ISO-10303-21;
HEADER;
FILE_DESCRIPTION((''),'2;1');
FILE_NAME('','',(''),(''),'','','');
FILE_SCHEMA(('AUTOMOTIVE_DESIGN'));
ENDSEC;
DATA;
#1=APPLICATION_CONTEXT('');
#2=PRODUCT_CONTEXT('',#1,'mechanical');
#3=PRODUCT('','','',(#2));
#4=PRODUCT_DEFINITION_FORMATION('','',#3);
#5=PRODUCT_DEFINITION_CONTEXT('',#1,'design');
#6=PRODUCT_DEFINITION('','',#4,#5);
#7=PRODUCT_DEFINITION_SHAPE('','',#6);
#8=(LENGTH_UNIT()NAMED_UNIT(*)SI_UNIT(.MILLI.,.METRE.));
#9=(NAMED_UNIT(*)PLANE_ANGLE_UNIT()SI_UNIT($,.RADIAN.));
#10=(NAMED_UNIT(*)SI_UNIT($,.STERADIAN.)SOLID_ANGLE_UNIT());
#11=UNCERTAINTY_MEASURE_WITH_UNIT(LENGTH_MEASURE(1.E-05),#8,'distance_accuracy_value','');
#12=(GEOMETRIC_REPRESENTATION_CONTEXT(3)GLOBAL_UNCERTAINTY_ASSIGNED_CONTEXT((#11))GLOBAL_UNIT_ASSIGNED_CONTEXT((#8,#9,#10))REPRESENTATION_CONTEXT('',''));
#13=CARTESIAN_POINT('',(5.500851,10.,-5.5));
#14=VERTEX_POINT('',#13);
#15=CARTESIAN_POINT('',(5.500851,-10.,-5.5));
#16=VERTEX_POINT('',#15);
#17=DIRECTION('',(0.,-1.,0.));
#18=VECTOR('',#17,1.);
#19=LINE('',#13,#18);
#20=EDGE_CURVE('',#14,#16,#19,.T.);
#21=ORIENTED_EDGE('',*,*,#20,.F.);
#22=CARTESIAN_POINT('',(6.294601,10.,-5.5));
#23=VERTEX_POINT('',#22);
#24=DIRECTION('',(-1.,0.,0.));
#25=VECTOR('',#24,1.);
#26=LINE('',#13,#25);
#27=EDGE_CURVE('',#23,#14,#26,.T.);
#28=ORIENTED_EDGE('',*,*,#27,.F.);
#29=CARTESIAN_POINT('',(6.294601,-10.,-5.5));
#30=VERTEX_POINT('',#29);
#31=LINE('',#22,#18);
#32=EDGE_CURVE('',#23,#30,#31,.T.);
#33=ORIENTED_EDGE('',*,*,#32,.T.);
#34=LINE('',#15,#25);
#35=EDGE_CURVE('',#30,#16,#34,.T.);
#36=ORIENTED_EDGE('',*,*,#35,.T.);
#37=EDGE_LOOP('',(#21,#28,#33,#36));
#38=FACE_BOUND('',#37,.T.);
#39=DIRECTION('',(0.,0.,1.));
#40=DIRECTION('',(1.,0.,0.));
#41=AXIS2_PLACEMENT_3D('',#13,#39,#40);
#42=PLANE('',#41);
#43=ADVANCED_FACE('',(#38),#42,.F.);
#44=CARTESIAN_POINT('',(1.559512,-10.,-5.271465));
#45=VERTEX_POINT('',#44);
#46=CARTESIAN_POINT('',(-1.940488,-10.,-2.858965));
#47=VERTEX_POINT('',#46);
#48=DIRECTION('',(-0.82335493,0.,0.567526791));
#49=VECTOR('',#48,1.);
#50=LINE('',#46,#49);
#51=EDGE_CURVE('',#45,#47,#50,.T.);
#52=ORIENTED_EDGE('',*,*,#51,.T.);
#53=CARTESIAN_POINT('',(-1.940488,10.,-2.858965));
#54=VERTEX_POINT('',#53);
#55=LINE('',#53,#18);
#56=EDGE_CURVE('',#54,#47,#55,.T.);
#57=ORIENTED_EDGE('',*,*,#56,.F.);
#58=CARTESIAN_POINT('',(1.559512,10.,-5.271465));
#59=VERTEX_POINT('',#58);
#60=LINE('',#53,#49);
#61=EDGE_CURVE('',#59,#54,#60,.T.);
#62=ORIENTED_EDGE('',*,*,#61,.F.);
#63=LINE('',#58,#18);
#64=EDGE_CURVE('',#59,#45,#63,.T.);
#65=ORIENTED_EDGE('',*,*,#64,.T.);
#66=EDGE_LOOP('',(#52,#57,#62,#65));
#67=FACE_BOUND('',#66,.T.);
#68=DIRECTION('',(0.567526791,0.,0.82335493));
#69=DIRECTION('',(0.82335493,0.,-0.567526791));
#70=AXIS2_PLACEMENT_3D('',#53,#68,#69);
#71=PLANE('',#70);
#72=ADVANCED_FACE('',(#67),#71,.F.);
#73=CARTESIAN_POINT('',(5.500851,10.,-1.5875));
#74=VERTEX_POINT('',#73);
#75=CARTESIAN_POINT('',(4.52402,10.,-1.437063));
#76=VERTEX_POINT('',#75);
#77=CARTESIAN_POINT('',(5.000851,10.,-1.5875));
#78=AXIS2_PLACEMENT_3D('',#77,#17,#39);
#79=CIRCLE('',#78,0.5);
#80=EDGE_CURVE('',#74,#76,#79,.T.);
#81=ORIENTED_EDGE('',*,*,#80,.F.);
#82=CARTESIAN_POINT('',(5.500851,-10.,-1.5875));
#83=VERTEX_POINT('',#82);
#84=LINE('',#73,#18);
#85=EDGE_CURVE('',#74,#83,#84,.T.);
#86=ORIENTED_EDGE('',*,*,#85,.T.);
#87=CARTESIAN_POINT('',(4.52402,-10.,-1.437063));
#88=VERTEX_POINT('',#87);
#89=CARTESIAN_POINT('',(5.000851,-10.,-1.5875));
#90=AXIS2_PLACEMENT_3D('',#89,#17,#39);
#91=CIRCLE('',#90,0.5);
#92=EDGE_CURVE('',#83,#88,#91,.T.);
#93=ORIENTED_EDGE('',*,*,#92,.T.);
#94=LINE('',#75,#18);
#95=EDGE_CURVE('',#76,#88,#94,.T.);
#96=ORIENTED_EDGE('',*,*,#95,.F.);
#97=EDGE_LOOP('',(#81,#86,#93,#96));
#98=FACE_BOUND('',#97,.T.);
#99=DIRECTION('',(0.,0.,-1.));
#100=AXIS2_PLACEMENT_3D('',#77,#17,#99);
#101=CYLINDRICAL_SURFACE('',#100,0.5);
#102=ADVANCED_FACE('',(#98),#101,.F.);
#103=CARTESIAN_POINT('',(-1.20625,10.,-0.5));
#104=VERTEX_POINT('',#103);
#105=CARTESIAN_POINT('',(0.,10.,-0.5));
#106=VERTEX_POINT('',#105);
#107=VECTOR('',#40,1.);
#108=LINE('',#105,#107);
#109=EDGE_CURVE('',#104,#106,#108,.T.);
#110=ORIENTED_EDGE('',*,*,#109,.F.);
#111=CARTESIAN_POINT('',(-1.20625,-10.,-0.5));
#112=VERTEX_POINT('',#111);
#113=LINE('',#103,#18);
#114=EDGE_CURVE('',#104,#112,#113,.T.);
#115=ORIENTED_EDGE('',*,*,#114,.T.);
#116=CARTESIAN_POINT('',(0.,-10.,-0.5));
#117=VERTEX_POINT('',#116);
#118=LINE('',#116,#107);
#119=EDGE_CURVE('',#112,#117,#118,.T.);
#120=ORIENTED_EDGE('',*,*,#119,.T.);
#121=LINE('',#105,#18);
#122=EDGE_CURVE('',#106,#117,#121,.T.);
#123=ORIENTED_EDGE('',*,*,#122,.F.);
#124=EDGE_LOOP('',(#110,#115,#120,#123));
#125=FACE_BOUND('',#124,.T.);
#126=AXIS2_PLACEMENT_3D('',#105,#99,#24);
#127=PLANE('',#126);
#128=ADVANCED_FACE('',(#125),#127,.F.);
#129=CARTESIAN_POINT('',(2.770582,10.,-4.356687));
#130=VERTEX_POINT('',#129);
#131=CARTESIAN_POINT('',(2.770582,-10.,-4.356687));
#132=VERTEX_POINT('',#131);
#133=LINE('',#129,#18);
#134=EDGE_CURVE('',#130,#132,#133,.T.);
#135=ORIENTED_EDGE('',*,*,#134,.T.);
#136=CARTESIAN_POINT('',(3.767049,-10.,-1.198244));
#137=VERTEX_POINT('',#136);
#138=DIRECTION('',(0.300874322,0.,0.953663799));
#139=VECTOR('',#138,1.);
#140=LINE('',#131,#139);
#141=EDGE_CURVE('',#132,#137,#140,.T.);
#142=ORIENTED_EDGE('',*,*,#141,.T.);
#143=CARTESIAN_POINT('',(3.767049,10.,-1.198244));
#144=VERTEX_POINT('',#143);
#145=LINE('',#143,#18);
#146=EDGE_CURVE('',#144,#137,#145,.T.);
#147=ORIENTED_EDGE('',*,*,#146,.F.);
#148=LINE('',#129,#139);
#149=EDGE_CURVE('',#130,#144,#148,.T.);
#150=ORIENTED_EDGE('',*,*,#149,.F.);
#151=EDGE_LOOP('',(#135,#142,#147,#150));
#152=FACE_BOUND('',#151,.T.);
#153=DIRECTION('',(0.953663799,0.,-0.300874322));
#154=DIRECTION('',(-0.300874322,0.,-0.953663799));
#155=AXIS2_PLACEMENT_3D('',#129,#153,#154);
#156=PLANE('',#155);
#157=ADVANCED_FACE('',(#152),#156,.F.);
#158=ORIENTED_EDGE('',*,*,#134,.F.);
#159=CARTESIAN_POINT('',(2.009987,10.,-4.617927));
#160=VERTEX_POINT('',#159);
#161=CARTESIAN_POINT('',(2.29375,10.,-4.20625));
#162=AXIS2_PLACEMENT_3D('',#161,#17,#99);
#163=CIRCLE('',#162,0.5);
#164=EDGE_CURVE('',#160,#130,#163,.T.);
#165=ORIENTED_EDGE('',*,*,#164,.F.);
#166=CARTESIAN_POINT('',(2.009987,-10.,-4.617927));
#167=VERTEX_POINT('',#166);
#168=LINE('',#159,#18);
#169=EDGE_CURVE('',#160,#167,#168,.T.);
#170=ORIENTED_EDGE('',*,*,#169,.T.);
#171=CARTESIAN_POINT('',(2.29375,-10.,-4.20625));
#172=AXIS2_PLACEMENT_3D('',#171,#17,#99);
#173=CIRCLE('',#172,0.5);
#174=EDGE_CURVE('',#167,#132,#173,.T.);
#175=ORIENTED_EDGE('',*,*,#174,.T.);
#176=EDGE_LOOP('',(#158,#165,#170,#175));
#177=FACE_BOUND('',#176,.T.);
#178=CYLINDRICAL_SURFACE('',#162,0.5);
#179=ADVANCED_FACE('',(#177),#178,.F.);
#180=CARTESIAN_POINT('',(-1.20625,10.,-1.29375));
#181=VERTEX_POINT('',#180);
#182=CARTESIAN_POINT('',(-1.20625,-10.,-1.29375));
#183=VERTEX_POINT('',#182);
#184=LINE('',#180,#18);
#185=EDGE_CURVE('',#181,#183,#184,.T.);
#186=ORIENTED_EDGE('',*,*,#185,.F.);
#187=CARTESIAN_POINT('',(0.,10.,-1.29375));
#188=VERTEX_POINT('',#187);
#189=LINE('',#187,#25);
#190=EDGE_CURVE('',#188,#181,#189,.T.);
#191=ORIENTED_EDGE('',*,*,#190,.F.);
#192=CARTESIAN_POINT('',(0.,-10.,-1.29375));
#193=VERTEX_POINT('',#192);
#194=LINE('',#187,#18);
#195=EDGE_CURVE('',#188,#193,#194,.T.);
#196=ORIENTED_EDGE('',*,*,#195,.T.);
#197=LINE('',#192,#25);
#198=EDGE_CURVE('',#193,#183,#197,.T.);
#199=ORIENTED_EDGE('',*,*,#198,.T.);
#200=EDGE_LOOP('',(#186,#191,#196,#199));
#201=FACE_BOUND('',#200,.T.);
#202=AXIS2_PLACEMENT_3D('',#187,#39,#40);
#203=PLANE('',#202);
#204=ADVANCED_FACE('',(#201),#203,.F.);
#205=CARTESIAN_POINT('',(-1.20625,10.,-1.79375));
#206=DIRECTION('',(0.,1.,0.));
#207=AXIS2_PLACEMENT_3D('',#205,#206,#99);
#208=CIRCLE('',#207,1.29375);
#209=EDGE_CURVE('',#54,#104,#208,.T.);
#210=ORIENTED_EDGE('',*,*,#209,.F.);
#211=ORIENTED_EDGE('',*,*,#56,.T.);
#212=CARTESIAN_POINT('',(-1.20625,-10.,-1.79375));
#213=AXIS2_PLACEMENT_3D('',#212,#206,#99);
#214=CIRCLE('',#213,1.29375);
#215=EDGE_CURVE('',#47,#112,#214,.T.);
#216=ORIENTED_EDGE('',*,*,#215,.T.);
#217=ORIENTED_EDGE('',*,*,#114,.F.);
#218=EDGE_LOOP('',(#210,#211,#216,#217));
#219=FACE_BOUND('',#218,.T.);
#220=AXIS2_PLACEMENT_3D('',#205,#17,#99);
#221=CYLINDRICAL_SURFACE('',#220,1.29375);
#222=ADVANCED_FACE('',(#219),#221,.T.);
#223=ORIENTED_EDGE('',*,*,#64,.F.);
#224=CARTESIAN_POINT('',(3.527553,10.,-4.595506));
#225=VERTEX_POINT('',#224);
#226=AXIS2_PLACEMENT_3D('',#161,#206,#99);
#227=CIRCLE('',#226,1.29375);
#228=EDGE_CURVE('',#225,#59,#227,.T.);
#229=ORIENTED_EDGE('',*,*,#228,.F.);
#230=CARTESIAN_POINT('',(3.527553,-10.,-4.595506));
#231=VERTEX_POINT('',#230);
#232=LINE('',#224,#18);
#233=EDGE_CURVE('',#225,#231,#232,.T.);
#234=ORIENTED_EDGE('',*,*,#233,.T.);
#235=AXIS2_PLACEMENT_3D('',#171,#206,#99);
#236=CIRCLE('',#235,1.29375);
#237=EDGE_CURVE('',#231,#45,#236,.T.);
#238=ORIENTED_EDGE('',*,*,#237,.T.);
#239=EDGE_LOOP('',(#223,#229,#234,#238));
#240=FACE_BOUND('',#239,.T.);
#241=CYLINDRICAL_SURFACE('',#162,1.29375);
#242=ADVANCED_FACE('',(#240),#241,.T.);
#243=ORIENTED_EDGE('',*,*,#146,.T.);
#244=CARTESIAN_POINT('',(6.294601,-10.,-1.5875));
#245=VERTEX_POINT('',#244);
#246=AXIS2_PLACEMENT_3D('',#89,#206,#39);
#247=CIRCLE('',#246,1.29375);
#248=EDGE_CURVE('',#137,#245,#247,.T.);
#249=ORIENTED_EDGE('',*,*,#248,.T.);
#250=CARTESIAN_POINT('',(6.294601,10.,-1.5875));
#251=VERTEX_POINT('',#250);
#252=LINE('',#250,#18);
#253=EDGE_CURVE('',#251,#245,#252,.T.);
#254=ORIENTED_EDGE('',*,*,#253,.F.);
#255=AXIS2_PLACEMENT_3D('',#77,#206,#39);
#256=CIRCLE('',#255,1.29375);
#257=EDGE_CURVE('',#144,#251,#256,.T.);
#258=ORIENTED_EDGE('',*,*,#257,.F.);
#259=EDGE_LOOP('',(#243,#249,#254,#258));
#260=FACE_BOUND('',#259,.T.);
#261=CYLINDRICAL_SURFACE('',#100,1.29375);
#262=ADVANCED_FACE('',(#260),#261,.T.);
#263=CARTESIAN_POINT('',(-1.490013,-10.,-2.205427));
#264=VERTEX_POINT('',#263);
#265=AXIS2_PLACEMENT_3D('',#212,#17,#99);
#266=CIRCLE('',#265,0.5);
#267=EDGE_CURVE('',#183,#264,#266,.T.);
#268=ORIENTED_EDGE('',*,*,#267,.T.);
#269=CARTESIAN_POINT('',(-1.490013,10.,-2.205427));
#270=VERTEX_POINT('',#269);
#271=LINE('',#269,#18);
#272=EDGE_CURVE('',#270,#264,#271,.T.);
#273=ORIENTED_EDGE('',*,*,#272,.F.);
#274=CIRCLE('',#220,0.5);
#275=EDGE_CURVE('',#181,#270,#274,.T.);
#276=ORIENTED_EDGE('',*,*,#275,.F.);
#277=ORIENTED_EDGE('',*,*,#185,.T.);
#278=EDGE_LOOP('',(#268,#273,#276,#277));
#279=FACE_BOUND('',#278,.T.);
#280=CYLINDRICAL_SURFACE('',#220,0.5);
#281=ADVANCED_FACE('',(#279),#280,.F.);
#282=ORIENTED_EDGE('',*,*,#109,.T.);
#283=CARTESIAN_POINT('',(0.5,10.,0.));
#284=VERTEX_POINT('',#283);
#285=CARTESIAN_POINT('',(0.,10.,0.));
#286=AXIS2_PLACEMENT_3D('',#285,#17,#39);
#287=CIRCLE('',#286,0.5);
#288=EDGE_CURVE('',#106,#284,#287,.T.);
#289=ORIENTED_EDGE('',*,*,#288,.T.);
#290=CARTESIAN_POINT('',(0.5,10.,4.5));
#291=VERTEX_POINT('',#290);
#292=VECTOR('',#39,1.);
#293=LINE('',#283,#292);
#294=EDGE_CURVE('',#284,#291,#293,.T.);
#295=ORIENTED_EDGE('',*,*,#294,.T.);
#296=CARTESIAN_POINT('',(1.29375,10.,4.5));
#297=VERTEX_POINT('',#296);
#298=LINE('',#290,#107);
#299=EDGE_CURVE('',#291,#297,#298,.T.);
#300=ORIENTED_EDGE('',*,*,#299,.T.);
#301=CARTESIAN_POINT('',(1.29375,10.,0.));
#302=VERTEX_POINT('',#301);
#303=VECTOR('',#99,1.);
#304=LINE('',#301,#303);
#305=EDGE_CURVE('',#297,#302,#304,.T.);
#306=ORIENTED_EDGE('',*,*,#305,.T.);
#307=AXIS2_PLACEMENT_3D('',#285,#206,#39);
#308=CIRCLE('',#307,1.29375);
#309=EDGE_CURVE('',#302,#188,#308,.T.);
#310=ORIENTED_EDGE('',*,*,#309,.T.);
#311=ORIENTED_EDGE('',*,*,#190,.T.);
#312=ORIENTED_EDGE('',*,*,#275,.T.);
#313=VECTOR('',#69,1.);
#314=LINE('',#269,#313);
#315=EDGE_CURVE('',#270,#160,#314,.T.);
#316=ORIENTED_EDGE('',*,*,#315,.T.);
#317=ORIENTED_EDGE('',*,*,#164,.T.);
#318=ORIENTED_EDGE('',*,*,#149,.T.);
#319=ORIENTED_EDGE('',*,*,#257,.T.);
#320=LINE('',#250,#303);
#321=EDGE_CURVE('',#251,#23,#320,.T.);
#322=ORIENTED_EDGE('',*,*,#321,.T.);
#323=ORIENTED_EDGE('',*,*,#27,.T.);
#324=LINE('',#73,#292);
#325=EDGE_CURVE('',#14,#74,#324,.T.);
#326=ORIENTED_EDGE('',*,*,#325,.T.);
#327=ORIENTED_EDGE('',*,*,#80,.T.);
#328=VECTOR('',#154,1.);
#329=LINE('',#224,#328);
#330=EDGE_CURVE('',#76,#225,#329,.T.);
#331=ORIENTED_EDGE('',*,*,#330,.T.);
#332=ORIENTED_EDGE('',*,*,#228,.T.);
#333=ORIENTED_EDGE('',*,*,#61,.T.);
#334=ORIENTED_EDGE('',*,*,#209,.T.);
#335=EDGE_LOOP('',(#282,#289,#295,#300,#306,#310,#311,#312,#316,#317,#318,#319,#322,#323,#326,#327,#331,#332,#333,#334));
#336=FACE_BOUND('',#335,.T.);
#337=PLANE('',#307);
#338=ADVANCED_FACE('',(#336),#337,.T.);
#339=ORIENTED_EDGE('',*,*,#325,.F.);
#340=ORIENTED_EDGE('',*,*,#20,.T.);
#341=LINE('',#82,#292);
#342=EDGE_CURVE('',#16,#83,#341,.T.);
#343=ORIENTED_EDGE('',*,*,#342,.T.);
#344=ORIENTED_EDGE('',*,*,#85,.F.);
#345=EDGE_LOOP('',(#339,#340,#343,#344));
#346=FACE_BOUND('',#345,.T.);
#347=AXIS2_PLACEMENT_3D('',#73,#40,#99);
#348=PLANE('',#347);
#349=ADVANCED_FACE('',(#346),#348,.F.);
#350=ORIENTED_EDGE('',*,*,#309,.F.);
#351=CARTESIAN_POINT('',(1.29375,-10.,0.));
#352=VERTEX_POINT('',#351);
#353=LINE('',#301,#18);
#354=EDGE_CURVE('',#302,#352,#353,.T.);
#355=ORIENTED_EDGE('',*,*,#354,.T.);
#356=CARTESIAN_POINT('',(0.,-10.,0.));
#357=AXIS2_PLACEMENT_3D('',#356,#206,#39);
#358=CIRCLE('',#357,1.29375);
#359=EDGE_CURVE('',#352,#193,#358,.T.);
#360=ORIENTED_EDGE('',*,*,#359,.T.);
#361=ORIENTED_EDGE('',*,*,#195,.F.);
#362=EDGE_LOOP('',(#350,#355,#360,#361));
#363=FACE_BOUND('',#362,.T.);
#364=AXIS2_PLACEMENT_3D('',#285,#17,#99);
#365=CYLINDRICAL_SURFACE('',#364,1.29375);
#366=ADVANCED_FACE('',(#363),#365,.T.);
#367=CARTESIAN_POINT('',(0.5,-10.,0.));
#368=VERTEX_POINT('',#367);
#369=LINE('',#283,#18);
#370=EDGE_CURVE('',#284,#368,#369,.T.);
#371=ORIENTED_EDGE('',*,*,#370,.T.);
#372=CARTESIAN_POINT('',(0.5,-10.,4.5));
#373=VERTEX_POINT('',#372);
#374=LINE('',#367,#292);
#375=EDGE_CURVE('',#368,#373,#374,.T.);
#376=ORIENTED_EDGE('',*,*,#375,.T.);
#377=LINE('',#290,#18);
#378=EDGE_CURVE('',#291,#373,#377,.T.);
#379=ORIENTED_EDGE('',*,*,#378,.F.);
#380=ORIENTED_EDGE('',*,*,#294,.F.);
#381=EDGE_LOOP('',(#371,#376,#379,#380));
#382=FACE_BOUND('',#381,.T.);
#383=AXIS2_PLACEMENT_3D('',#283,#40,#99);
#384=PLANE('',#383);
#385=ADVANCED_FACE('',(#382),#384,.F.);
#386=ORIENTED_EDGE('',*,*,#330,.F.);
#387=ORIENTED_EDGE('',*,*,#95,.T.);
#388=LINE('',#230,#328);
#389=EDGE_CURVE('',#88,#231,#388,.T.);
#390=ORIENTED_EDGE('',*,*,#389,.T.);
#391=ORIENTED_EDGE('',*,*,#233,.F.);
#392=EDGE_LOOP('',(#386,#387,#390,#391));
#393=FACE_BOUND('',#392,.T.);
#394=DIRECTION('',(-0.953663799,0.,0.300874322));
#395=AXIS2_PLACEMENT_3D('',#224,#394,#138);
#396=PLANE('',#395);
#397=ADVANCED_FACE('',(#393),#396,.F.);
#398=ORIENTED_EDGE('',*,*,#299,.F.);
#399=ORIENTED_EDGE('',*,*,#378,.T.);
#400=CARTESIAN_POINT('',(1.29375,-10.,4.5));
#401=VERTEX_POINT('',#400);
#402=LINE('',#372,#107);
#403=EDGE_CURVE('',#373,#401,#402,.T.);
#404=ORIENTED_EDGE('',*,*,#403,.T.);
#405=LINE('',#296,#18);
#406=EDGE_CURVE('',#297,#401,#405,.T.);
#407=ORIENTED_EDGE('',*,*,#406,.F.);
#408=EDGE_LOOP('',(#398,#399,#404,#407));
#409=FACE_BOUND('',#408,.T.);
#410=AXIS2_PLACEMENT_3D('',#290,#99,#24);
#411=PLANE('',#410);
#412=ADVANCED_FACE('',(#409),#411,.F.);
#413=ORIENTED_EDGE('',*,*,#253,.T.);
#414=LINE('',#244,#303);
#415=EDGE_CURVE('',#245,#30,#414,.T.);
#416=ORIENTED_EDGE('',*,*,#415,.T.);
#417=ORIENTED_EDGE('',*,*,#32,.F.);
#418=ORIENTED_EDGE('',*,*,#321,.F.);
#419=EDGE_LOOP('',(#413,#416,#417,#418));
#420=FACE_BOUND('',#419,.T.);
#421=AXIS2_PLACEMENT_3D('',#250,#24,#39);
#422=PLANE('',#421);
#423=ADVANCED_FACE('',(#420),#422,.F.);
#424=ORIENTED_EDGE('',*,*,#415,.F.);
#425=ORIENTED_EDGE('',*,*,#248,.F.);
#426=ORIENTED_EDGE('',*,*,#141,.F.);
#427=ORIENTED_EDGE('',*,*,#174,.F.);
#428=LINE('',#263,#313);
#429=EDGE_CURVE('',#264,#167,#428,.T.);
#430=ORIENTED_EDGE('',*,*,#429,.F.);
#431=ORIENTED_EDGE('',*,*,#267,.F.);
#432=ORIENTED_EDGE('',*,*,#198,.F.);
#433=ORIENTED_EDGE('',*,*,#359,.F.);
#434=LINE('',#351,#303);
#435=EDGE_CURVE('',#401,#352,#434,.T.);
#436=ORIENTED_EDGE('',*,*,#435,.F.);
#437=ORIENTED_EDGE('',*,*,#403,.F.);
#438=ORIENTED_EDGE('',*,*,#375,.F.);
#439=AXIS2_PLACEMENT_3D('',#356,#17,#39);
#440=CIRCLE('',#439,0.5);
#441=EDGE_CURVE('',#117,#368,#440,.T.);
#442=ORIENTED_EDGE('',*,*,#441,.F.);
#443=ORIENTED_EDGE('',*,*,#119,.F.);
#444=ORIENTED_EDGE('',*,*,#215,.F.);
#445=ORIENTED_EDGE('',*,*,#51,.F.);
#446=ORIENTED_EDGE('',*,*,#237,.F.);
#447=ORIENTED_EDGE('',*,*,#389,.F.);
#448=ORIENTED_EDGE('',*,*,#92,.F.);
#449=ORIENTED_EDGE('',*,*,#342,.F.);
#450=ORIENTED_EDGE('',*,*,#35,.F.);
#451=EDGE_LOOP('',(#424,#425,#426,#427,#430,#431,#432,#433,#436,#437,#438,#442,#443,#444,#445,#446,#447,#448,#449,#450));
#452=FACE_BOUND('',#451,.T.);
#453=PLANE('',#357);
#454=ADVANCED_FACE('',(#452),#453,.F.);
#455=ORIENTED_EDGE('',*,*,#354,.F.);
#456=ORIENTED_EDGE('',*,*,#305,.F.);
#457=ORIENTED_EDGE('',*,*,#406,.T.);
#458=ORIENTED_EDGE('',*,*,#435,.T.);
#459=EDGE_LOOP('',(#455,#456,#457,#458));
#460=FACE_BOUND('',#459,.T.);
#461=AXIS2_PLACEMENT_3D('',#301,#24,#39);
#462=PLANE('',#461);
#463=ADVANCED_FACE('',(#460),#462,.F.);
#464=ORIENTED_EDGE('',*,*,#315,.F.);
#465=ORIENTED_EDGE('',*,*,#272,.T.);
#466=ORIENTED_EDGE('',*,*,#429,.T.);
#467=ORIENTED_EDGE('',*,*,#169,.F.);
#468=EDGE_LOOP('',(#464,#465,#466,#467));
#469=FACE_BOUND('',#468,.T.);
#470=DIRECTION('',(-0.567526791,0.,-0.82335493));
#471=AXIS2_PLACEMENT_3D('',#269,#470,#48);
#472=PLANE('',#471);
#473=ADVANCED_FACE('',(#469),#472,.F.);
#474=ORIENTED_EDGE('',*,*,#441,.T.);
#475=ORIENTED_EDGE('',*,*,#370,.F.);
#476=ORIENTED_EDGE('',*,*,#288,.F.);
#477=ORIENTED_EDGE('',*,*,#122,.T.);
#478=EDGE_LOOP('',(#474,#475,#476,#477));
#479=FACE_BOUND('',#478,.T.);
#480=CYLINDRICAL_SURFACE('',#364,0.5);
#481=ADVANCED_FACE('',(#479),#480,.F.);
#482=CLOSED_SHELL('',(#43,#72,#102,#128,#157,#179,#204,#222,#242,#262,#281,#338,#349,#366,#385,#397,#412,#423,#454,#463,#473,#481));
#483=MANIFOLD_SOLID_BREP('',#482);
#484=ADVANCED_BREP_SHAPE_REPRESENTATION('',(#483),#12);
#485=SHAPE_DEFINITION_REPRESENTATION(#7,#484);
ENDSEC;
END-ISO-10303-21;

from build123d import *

# Parameters (mm, degrees)
BOSS_EXTRUDE1_DEPTH = 10


with BuildPart() as part:
    # Sketch1 → Boss-Extrude1 (new, symmetric)
    with BuildSketch(Plane(origin=(0, 0, 0), x_dir=(1, 0, 0), z_dir=(0, 1, 0))):
        with BuildLine():
            Line((1.29375, 0), (1.29375, -4.5))
            Line((1.29375, -4.5), (0.5, -4.5))
            Line((0.5, -4.5), (0.5, 0))
            ThreePointArc((0.5, 0), (0.353553391, 0.353553391), (0, 0.5))
            Line((0, 0.5), (-1.20625, 0.5))
            ThreePointArc((-1.20625, 0.5), (-2.441545823, 1.409259047), (-1.940487786, 2.858965441))
            Line((-1.940487786, 2.858965441), (1.559512214, 5.271465441))
            ThreePointArc((1.559512214, 5.271465441), (2.714013578, 5.429837997), (3.52755254, 4.595506155))
            Line((3.52755254, 4.595506155), (4.524019527, 1.437062839))
            ThreePointArc((4.524019527, 1.437062839), (5.076956782, 1.093325967), (5.500851427, 1.5875))
            Line((5.500851427, 1.5875), (5.500851427, 5.5))
            Line((5.500851427, 5.5), (6.294601427, 5.5))
            Line((6.294601427, 5.5), (6.294601427, 1.5875))
            ThreePointArc((6.294601427, 1.5875), (5.197774033, 0.30882469), (3.767048886, 1.198243845))
            Line((3.767048886, 1.198243845), (2.7705819, 4.356687161))
            ThreePointArc((2.7705819, 4.356687161), (2.456170707, 4.67913425), (2.009986604, 4.617927465))
            Line((2.009986604, 4.617927465), (-1.490013396, 2.205427465))
            ThreePointArc((-1.490013396, 2.205427465), (-1.683659014, 1.645154463), (-1.20625, 1.29375))
            Line((-1.20625, 1.29375), (0, 1.29375))
            ThreePointArc((0, 1.29375), (0.914819398, 0.914819398), (1.29375, 0))
        make_face()
    extrude(amount=BOSS_EXTRUDE1_DEPTH, both=True)


solid = part.part
